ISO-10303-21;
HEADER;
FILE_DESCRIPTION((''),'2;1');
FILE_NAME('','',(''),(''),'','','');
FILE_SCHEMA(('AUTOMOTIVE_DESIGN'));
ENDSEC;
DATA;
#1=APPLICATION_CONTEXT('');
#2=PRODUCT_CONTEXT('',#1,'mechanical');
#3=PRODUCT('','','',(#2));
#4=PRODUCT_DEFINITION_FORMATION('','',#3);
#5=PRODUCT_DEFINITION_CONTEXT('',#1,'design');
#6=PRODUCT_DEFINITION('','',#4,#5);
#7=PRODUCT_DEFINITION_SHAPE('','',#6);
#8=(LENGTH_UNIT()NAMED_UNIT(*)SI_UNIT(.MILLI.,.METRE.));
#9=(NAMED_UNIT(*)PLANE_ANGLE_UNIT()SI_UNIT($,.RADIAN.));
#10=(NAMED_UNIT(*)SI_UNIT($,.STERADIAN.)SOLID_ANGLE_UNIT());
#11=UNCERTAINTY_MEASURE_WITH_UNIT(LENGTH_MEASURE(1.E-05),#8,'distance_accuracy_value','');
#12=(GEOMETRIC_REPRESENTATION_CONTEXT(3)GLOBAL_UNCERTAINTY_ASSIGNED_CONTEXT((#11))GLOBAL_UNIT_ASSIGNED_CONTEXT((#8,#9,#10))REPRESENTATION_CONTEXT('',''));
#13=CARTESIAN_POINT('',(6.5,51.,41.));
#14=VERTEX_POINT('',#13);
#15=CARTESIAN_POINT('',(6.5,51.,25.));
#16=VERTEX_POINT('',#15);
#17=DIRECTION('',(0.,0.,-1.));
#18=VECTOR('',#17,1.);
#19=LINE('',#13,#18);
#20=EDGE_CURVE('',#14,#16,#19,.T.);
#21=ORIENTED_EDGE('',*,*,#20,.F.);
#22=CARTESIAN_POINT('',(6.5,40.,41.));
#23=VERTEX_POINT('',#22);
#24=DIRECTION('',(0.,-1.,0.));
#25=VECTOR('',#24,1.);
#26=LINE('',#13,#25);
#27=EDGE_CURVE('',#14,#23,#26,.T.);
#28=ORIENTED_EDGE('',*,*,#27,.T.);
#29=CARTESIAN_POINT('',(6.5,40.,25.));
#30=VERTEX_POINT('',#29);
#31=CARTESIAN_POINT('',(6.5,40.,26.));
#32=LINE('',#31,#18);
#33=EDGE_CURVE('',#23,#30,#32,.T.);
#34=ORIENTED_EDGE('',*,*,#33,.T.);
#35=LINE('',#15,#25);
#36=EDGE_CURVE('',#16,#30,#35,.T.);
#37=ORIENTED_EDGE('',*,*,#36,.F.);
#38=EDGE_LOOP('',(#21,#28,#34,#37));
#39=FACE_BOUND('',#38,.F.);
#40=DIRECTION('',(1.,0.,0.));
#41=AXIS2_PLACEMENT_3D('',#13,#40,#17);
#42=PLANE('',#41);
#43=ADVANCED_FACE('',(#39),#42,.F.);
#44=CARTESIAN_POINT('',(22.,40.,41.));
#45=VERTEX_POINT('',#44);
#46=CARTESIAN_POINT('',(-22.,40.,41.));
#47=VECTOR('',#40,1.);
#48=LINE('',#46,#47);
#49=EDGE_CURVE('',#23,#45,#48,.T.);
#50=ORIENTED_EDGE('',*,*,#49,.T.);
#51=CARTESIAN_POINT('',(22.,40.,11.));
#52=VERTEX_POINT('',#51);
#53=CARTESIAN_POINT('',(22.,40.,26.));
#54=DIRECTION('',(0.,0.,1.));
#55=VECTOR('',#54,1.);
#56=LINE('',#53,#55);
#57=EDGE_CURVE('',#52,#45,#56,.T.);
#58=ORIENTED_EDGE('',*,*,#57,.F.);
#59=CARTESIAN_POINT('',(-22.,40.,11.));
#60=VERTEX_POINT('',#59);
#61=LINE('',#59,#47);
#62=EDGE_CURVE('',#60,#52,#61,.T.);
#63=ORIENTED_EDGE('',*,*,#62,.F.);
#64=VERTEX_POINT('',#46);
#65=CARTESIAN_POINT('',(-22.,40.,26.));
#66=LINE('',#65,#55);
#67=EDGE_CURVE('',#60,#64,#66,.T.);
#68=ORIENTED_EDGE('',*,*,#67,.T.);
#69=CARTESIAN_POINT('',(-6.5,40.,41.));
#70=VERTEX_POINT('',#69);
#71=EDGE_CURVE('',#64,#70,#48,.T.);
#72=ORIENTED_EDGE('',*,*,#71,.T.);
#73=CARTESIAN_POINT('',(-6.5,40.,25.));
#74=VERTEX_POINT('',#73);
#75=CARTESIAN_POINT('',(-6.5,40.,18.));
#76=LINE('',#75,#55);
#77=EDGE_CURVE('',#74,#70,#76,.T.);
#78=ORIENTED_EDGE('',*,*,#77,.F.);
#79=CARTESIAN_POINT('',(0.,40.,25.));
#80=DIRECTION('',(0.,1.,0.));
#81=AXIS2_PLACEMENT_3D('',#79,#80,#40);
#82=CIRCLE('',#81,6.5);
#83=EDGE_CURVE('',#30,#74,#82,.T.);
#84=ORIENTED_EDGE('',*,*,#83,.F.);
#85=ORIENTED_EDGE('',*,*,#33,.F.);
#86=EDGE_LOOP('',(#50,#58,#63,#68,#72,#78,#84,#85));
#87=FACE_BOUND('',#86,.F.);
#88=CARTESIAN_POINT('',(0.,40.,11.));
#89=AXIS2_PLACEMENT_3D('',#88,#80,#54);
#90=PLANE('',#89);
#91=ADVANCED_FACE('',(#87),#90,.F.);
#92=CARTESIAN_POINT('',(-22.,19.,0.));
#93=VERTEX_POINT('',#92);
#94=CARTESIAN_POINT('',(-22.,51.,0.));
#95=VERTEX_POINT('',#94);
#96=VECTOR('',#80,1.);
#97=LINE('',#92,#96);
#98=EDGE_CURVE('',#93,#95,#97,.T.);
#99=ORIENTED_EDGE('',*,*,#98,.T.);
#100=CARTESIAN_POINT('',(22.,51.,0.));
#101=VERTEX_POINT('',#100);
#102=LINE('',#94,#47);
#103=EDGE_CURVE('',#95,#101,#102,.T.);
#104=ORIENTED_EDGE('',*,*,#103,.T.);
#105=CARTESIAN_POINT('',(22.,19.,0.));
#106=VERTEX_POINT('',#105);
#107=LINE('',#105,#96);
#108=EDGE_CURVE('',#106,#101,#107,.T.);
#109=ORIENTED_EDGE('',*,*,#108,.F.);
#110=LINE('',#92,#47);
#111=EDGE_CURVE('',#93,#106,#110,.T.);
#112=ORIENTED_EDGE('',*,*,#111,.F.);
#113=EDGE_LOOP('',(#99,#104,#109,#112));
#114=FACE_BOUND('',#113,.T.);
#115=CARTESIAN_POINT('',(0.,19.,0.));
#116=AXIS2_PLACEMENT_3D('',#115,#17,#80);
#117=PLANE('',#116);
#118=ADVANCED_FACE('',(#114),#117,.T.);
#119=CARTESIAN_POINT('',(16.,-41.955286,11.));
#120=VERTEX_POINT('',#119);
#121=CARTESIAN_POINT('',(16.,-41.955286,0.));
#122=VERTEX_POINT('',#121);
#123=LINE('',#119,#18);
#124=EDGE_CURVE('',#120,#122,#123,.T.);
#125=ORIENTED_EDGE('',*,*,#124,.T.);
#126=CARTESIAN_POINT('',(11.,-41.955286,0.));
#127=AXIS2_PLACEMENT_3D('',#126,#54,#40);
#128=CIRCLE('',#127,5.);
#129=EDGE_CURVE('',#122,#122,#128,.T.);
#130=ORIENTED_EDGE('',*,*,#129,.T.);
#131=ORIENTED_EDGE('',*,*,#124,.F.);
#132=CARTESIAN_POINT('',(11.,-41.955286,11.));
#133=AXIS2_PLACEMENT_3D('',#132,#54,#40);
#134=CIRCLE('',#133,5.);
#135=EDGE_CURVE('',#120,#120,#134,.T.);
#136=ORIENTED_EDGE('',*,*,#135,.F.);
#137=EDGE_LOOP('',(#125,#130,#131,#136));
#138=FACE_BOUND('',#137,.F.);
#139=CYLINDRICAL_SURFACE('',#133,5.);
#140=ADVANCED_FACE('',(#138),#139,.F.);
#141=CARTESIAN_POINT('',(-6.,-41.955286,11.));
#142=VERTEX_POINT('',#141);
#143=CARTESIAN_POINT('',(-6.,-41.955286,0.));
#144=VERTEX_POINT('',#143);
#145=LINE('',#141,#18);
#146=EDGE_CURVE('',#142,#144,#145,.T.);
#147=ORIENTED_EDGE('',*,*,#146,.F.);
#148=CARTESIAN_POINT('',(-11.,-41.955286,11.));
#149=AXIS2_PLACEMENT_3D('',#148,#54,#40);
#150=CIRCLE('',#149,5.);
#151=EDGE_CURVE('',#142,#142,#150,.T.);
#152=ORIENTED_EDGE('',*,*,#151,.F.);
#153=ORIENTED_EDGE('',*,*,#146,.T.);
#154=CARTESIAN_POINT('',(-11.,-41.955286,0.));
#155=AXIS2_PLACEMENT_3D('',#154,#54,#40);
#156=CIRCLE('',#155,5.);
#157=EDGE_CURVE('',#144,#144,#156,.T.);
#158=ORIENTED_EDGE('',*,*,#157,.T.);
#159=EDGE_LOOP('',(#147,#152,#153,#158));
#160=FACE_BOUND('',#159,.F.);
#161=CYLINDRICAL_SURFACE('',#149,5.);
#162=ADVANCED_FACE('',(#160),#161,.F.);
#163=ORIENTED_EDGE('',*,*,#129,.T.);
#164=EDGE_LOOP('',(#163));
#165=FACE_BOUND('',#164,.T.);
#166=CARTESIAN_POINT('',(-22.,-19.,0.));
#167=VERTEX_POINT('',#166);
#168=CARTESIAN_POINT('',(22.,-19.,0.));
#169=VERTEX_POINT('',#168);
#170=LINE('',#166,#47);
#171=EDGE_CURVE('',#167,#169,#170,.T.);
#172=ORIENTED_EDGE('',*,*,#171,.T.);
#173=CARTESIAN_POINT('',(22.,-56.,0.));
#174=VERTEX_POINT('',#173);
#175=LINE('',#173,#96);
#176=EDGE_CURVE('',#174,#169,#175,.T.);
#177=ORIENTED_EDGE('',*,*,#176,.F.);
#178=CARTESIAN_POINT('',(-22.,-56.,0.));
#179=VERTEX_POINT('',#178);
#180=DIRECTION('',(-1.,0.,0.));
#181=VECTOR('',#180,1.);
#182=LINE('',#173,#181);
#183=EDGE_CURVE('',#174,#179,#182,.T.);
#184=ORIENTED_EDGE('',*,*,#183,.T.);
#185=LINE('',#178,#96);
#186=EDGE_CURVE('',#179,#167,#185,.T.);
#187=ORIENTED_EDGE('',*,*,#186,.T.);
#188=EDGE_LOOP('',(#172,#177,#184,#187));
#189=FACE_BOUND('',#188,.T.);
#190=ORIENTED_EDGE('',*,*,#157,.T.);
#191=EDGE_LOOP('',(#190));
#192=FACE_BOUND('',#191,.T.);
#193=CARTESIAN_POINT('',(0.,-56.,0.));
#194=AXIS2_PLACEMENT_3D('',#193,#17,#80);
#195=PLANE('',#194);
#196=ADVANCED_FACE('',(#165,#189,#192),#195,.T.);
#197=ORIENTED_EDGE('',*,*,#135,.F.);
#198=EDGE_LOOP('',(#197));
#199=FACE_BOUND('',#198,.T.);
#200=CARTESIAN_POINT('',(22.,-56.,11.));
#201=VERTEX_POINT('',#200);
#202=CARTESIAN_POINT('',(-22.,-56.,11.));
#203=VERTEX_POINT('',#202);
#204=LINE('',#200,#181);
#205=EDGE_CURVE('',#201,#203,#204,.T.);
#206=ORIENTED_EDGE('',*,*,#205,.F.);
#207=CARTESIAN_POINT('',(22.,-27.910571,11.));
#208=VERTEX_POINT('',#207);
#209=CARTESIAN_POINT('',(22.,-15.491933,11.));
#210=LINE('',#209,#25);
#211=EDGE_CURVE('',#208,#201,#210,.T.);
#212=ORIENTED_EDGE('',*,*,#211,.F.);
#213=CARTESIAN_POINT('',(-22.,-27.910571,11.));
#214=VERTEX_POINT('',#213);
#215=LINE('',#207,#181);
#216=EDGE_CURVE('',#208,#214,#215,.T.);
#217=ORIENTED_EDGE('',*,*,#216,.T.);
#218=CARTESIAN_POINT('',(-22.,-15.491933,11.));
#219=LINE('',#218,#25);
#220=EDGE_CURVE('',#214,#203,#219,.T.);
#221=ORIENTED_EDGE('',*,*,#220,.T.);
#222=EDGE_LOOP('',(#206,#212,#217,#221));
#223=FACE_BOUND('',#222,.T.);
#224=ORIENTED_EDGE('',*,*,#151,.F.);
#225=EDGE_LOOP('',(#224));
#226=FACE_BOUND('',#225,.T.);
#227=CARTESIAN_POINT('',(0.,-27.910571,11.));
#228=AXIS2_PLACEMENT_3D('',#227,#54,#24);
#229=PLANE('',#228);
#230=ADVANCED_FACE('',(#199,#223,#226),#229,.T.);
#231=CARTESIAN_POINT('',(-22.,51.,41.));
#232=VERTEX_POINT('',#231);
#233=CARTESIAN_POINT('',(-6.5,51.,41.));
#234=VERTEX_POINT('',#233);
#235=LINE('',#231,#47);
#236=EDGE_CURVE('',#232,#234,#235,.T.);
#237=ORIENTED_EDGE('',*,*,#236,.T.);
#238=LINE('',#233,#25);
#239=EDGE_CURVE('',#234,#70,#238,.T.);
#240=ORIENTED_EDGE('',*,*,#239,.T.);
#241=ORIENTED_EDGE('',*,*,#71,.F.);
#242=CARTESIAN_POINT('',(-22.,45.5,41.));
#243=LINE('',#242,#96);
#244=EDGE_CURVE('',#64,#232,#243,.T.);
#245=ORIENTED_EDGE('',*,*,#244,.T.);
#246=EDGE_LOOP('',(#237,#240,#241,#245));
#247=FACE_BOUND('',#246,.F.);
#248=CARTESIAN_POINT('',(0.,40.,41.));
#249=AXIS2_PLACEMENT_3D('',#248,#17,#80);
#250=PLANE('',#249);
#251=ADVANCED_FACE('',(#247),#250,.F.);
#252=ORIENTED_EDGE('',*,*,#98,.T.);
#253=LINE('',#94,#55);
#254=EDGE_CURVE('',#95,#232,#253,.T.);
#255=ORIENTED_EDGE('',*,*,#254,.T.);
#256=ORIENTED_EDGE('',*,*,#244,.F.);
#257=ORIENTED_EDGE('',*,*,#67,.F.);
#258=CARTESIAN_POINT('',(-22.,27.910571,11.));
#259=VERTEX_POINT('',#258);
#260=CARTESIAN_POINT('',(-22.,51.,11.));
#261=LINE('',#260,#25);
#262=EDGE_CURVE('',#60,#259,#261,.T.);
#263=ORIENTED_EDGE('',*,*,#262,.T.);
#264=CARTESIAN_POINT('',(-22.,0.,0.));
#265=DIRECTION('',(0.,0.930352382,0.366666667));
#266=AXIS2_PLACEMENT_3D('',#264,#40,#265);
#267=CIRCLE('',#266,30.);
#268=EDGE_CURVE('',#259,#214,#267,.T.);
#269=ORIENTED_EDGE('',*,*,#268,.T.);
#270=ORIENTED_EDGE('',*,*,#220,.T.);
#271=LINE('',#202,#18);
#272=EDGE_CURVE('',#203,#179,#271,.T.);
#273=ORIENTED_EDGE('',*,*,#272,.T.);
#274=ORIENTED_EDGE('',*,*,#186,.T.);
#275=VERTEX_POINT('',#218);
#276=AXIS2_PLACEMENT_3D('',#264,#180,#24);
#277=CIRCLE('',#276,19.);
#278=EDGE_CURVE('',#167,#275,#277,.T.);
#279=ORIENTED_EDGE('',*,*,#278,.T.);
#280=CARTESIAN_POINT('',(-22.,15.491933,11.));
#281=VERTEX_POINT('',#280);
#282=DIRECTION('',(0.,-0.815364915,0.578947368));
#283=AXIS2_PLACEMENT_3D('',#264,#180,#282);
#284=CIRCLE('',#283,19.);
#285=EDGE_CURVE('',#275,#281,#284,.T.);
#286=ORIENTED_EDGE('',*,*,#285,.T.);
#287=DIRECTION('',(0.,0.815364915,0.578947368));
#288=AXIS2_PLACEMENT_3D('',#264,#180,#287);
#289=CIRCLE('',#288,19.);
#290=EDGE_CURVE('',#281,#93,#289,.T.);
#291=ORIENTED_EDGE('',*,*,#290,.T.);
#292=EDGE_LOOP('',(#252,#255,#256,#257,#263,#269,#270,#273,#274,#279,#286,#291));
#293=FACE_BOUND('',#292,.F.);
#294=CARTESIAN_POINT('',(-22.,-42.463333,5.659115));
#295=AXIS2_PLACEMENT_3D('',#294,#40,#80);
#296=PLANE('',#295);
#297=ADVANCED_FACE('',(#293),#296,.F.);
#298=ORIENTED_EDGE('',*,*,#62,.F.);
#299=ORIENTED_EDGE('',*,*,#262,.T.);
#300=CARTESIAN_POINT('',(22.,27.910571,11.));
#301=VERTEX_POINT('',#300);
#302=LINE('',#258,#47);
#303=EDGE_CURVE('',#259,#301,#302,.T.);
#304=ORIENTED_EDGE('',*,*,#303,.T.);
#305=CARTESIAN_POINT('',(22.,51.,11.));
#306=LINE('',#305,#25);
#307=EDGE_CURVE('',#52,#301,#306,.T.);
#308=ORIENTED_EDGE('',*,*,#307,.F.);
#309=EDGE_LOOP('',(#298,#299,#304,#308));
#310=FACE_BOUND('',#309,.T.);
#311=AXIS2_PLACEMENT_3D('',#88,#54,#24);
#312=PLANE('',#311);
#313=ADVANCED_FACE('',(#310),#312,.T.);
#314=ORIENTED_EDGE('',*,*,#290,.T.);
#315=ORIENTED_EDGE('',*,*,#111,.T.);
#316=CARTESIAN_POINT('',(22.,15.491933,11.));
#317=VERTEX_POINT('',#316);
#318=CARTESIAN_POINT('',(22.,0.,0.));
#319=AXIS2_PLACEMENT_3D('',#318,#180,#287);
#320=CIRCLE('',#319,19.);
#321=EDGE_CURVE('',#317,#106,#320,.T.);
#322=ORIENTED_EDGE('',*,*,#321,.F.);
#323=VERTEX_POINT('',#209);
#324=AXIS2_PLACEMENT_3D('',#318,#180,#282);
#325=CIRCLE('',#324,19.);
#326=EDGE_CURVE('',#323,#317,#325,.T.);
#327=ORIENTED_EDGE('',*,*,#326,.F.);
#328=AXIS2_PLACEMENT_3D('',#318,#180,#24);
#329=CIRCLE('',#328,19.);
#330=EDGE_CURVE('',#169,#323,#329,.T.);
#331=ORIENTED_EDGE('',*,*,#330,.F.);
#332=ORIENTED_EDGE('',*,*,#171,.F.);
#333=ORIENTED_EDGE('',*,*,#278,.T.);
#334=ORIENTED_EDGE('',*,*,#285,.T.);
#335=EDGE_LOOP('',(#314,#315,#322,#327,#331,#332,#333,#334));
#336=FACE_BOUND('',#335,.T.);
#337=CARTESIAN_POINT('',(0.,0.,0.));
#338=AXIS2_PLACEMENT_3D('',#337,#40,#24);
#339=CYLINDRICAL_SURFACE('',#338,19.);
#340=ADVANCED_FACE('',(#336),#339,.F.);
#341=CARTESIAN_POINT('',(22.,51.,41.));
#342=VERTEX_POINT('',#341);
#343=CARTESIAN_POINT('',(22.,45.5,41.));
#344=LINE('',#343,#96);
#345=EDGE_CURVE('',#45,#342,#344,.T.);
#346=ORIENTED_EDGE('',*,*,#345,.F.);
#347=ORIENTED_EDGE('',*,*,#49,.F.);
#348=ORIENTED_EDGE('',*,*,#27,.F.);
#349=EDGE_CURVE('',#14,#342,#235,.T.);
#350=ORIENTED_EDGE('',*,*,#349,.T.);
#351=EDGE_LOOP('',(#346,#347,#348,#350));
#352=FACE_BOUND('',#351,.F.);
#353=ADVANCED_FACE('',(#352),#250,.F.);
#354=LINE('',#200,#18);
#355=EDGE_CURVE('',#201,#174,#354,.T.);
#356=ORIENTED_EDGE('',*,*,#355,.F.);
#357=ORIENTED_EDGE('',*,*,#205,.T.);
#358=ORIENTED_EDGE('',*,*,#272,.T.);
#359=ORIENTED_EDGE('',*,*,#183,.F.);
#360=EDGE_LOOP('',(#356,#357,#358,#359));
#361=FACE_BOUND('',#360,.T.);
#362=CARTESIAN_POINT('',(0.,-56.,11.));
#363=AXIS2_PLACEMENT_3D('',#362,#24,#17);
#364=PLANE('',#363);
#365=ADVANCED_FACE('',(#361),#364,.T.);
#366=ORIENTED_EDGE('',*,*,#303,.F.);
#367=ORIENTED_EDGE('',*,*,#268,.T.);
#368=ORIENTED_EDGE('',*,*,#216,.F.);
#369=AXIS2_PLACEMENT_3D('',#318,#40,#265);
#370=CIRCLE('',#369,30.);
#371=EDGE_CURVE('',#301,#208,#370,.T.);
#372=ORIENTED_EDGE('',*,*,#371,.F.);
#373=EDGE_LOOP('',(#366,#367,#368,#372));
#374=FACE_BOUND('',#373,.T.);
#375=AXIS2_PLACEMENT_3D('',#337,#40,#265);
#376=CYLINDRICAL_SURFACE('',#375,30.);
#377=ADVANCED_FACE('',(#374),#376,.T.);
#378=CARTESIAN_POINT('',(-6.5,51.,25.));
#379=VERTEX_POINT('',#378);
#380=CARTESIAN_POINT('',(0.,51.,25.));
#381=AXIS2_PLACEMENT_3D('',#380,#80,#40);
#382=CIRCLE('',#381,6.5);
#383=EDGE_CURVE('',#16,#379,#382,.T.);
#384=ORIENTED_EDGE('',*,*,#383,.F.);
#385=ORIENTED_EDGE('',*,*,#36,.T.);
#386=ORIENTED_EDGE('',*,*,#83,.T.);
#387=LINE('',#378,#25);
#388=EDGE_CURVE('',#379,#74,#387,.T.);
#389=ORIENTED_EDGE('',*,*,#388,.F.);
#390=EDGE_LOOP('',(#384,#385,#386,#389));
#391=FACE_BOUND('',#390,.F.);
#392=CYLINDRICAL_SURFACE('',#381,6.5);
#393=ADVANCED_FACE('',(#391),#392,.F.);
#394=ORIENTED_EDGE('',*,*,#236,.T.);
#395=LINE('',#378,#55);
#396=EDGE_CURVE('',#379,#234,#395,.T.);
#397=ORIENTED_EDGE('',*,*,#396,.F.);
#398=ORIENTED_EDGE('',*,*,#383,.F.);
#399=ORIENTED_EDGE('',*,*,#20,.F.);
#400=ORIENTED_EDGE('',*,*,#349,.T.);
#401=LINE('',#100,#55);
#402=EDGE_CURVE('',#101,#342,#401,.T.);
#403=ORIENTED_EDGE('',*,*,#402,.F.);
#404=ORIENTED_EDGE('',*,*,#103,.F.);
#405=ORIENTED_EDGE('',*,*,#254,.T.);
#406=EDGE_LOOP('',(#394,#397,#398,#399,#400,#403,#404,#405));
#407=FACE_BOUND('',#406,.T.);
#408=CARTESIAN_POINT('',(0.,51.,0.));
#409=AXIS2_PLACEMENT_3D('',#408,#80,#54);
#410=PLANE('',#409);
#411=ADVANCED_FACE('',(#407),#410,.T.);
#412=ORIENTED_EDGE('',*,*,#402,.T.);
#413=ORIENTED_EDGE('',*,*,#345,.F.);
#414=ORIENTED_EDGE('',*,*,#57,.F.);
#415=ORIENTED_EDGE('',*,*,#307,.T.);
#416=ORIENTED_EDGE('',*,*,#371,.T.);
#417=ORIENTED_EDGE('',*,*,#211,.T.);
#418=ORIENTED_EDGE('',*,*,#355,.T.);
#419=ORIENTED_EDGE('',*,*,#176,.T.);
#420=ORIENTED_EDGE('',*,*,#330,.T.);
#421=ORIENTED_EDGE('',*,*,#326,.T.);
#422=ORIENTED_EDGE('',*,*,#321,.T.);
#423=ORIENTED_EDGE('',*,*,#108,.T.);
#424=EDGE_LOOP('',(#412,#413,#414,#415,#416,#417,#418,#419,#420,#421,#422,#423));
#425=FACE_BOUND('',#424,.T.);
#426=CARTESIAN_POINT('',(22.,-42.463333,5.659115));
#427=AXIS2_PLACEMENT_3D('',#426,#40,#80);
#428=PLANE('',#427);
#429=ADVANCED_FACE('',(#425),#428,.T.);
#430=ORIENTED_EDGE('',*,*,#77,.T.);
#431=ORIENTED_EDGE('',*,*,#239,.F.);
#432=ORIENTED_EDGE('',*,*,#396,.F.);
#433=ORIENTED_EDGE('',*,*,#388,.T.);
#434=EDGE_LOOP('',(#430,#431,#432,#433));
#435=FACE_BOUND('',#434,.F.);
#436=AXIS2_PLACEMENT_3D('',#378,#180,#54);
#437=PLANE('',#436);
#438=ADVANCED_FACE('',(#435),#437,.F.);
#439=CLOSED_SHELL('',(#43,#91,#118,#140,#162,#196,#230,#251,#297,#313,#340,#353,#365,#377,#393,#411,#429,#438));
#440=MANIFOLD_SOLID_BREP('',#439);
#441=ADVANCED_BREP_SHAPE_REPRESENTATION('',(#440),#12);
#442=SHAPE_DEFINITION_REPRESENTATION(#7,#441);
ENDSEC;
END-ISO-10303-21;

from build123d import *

# Parameters (mm, degrees)
F0_W     = 11
F0_H     = 30
F1_DEPTH = 22
F3_DEPTH = 25
F4_R     = 5
F5_DEPTH = 11


with BuildPart() as f1:
    # F0 (on Right) → F1 (new body, symmetric)
    with BuildSketch(Plane.YZ):
        with BuildLine():
            Line((-56, 0), (-30, 0))
            ThreePointArc((-30, 0), (-29.4730143031, 5.5983415304), (-27.9105714739, 11))
            Line((-27.9105714739, 11), (-56, 11))
            Line((-56, 11), (-56, 0))
        make_face()
        with BuildLine():
            ThreePointArc((-27.9105714739, 11), (-29.4730143031, 5.5983415304), (-30, 0))
            Line((-30, 0), (-19, 0))
            ThreePointArc((-19, 0), (-18.1017503893, 5.7729223833), (-15.4919333848, 11))
            Line((-15.4919333848, 11), (-27.9105714739, 11))
        make_face()
        with BuildLine():
            Line((15.4919333848, 11), (27.9105714739, 11))
            ThreePointArc((27.9105714739, 11), (0, 30), (-27.9105714739, 11))
            Line((-27.9105714739, 11), (-15.4919333848, 11))
            ThreePointArc((-15.4919333848, 11), (0, 19), (15.4919333848, 11))
        make_face()
        with BuildLine():
            Line((19, 0), (30, 0))
            ThreePointArc((30, 0), (29.4730143031, 5.5983415304), (27.9105714739, 11))
            Line((27.9105714739, 11), (15.4919333848, 11))
            ThreePointArc((15.4919333848, 11), (18.1017503893, 5.7729223833), (19, 0))
        make_face()
        with BuildLine():
            ThreePointArc((27.9105714739, 11), (29.4730143031, 5.5983415304), (30, 0))
            Line((30, 0), (51, 0))
            Line((51, 0), (51, 11))
            Line((51, 11), (40, 11))
            Line((40, 11), (27.9105714739, 11))
        make_face()
        with Locations((45.5, 26)):
            Rectangle(F0_W, F0_H)
    extrude(amount=F1_DEPTH, both=True)

    # F2 (on face) → F3 (cut)
    with BuildSketch(Plane(origin=(0, 51, 0), x_dir=(-1, 0, 0), z_dir=(0, 1, 0))):
        with BuildLine():
            ThreePointArc((-6.5, 25), (0, 31.5), (6.5, 25))
            Line((6.5, 25), (6.5, 41))
            Line((6.5, 41), (-6.5, 41))
            Line((-6.5, 41), (-6.5, 25))
        make_face()
        with BuildLine():
            Line((-6.5, 25), (6.5, 25))
            ThreePointArc((6.5, 25), (0, 31.5), (-6.5, 25))
        make_face()
        with BuildLine():
            ThreePointArc((-6.5, 25), (0, 18.5), (6.5, 25))
            Line((6.5, 25), (-6.5, 25))
        make_face()
    extrude(amount=-F3_DEPTH, mode=Mode.SUBTRACT)

    # F4 (on face) → F5 (cut, through all)
    with BuildSketch(Plane.XY.offset(11)):
        with Locations((-11, -41.955285737)):
            Circle(F4_R)
        with Locations((11, -41.955285737)):
            Circle(F4_R)
    extrude(amount=-F5_DEPTH, mode=Mode.SUBTRACT)


solid = f1.part
